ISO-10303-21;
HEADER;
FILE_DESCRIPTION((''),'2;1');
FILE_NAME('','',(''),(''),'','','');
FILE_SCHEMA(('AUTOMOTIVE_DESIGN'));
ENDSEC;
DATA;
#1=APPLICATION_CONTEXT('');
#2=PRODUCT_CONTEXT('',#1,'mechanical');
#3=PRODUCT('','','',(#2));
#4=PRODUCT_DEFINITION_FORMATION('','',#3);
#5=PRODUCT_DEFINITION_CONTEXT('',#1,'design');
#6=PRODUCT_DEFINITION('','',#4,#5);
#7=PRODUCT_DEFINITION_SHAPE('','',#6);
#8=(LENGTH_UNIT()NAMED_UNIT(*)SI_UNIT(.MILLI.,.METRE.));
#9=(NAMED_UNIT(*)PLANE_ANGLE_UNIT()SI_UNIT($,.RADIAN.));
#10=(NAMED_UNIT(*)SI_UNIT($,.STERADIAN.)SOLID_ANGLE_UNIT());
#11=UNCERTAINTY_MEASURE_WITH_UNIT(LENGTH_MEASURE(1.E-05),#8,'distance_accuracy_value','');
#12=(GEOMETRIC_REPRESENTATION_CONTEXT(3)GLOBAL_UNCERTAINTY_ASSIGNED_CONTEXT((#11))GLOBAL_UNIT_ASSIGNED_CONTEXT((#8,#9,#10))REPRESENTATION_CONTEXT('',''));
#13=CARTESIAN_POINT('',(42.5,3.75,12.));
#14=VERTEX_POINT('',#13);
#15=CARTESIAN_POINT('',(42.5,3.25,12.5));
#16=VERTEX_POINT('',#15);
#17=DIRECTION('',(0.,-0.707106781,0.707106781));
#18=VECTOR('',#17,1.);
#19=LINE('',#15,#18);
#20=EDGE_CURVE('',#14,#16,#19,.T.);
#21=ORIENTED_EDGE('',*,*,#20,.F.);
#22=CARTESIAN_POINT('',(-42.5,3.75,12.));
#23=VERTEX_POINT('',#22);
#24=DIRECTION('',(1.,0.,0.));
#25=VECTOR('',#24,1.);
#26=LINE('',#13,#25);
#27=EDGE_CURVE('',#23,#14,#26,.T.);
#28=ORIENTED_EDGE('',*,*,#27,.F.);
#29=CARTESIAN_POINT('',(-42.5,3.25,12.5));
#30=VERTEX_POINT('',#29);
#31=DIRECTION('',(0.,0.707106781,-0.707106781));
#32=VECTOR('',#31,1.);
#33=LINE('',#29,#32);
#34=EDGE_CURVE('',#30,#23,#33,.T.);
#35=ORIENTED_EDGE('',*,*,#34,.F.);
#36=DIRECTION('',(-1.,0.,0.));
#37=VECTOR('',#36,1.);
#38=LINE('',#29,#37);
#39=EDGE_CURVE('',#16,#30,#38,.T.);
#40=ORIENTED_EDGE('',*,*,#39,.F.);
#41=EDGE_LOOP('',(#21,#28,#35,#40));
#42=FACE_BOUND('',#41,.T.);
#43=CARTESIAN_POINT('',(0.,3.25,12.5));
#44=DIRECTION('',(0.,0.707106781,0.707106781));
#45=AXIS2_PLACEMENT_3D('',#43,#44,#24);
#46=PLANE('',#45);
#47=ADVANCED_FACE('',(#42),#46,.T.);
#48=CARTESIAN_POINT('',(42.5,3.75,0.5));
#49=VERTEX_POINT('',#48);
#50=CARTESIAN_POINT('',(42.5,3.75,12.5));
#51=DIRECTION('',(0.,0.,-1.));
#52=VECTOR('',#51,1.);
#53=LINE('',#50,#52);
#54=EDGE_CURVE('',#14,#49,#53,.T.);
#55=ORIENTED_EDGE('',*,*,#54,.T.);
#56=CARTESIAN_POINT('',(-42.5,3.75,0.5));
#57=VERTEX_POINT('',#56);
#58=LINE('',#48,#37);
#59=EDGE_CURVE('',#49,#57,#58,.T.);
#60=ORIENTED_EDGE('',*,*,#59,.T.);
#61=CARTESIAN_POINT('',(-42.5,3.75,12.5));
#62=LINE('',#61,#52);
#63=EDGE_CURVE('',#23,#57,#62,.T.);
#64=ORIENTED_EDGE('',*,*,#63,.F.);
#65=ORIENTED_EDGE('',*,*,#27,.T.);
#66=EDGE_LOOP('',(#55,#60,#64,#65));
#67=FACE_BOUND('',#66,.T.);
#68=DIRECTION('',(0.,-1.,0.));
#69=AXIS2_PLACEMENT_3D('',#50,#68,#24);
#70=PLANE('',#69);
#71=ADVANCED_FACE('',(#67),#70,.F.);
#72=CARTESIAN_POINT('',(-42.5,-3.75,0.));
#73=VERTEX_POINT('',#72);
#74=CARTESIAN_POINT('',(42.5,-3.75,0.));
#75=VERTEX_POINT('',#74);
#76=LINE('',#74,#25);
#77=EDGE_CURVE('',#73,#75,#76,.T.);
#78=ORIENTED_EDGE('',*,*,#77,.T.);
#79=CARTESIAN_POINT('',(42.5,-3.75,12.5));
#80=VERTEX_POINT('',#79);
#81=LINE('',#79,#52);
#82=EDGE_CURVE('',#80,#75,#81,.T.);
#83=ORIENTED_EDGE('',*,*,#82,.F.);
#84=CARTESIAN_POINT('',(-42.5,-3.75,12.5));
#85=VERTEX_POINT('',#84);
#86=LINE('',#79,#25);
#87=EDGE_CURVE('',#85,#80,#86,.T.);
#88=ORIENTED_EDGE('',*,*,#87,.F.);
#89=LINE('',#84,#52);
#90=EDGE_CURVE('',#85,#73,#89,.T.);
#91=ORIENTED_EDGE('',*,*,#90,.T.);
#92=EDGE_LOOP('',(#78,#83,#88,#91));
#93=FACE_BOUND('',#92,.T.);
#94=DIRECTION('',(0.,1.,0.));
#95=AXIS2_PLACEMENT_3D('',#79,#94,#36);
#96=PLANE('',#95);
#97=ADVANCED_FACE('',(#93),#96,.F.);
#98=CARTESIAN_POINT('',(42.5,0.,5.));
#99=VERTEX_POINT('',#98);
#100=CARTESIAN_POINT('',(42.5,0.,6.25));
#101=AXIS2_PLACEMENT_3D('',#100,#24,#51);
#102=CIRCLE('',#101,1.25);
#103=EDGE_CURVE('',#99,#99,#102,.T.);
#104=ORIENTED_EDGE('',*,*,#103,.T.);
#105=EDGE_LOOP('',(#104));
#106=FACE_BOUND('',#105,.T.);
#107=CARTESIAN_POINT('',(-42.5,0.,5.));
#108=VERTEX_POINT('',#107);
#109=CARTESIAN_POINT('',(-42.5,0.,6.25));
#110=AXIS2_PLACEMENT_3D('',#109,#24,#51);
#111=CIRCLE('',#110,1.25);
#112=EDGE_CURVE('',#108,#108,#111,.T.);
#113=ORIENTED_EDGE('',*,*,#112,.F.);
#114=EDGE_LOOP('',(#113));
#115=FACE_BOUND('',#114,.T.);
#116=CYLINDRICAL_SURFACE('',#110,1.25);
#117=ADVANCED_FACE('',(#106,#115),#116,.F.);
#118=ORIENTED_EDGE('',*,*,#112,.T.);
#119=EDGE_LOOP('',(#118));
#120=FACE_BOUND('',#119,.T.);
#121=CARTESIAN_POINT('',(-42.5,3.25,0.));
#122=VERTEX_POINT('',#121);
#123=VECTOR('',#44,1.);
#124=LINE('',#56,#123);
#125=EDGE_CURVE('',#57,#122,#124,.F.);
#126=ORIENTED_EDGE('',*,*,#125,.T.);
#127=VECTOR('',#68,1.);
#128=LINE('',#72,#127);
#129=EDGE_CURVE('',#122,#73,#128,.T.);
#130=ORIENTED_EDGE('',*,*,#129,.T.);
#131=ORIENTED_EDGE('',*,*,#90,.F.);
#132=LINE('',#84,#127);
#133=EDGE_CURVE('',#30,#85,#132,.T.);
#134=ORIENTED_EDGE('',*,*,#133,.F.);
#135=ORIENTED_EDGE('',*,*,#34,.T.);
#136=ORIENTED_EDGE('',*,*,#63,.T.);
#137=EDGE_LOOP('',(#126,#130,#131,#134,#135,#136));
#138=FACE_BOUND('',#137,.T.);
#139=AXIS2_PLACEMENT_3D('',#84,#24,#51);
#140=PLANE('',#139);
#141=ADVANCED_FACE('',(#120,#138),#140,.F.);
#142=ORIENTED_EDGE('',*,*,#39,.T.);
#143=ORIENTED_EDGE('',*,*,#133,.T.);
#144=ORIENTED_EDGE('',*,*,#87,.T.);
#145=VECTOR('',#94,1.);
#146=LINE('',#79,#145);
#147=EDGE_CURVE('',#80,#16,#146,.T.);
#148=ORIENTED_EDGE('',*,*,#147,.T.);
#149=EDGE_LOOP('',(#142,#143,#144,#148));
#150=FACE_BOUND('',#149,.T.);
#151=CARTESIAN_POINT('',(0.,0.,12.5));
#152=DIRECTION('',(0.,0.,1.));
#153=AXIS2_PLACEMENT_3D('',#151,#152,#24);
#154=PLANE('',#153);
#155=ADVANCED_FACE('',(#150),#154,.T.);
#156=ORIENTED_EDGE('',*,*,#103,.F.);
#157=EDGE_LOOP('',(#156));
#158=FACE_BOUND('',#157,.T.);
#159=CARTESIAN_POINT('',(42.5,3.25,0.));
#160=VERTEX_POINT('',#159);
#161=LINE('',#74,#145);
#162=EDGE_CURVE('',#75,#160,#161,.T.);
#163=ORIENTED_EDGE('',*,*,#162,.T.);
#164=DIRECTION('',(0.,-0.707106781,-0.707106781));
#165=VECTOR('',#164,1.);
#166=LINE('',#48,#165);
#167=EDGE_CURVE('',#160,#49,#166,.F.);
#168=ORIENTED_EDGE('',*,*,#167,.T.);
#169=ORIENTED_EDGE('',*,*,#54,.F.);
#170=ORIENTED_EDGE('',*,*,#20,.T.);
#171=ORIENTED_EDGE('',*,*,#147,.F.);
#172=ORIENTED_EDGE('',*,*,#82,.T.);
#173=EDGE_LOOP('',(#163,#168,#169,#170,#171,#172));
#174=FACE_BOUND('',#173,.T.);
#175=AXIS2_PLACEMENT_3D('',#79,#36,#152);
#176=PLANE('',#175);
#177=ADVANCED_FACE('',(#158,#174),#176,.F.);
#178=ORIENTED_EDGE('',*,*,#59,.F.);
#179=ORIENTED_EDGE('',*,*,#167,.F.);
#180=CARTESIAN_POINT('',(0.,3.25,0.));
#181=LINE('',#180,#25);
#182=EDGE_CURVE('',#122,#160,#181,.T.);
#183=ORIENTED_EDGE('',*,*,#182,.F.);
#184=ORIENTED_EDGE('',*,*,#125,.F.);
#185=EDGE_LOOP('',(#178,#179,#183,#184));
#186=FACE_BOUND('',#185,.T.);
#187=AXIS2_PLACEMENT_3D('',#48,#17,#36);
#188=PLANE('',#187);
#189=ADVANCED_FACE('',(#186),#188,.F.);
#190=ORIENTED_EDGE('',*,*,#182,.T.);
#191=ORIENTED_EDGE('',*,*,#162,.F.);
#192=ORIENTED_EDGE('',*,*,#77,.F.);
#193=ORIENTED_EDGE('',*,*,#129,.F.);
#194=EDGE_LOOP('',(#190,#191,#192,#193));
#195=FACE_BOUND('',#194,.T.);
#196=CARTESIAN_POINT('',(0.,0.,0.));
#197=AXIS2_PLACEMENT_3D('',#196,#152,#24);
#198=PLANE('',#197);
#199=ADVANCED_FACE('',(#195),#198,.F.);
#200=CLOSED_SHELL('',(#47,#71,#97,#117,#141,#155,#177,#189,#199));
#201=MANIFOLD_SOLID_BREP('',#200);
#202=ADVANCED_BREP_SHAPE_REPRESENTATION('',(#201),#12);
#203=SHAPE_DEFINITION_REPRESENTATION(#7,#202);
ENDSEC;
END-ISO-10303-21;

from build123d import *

# Parameters (mm, degrees)
SKETCH_1_W          = 85
SKETCH_1_H          = 7.5
EXTRUDE_1_DEPTH     = 12.5
SKETCH_2_R          = 1.25
CUT_EXTRUDE_1_DEPTH = 86.996002814
CHAMFER_1_SIZE      = 0.5


with BuildPart() as part:
    # 草图1 → 凸台-拉伸1 (new body)
    with BuildSketch(Plane.XY):
        Rectangle(SKETCH_1_W, SKETCH_1_H)
    extrude(amount=EXTRUDE_1_DEPTH)

    # 草图2 → 切除-拉伸1 (cut, through all)
    with BuildSketch(Plane(origin=(42.5, 0, 0), x_dir=(0, 0, -1), z_dir=(1, 0, 0))):
        with Locations((-6.25, 0)):
            Circle(SKETCH_2_R)
    extrude(amount=-CUT_EXTRUDE_1_DEPTH, mode=Mode.SUBTRACT)

    # 倒角1
    chamfer_1_edges = [part.edges().sort_by_distance(p)[0] for p in [
        (0, 3.75, 12.5),
        (0, 3.75, 0),
    ]]
    chamfer(chamfer_1_edges, length=CHAMFER_1_SIZE)


solid = part.part
